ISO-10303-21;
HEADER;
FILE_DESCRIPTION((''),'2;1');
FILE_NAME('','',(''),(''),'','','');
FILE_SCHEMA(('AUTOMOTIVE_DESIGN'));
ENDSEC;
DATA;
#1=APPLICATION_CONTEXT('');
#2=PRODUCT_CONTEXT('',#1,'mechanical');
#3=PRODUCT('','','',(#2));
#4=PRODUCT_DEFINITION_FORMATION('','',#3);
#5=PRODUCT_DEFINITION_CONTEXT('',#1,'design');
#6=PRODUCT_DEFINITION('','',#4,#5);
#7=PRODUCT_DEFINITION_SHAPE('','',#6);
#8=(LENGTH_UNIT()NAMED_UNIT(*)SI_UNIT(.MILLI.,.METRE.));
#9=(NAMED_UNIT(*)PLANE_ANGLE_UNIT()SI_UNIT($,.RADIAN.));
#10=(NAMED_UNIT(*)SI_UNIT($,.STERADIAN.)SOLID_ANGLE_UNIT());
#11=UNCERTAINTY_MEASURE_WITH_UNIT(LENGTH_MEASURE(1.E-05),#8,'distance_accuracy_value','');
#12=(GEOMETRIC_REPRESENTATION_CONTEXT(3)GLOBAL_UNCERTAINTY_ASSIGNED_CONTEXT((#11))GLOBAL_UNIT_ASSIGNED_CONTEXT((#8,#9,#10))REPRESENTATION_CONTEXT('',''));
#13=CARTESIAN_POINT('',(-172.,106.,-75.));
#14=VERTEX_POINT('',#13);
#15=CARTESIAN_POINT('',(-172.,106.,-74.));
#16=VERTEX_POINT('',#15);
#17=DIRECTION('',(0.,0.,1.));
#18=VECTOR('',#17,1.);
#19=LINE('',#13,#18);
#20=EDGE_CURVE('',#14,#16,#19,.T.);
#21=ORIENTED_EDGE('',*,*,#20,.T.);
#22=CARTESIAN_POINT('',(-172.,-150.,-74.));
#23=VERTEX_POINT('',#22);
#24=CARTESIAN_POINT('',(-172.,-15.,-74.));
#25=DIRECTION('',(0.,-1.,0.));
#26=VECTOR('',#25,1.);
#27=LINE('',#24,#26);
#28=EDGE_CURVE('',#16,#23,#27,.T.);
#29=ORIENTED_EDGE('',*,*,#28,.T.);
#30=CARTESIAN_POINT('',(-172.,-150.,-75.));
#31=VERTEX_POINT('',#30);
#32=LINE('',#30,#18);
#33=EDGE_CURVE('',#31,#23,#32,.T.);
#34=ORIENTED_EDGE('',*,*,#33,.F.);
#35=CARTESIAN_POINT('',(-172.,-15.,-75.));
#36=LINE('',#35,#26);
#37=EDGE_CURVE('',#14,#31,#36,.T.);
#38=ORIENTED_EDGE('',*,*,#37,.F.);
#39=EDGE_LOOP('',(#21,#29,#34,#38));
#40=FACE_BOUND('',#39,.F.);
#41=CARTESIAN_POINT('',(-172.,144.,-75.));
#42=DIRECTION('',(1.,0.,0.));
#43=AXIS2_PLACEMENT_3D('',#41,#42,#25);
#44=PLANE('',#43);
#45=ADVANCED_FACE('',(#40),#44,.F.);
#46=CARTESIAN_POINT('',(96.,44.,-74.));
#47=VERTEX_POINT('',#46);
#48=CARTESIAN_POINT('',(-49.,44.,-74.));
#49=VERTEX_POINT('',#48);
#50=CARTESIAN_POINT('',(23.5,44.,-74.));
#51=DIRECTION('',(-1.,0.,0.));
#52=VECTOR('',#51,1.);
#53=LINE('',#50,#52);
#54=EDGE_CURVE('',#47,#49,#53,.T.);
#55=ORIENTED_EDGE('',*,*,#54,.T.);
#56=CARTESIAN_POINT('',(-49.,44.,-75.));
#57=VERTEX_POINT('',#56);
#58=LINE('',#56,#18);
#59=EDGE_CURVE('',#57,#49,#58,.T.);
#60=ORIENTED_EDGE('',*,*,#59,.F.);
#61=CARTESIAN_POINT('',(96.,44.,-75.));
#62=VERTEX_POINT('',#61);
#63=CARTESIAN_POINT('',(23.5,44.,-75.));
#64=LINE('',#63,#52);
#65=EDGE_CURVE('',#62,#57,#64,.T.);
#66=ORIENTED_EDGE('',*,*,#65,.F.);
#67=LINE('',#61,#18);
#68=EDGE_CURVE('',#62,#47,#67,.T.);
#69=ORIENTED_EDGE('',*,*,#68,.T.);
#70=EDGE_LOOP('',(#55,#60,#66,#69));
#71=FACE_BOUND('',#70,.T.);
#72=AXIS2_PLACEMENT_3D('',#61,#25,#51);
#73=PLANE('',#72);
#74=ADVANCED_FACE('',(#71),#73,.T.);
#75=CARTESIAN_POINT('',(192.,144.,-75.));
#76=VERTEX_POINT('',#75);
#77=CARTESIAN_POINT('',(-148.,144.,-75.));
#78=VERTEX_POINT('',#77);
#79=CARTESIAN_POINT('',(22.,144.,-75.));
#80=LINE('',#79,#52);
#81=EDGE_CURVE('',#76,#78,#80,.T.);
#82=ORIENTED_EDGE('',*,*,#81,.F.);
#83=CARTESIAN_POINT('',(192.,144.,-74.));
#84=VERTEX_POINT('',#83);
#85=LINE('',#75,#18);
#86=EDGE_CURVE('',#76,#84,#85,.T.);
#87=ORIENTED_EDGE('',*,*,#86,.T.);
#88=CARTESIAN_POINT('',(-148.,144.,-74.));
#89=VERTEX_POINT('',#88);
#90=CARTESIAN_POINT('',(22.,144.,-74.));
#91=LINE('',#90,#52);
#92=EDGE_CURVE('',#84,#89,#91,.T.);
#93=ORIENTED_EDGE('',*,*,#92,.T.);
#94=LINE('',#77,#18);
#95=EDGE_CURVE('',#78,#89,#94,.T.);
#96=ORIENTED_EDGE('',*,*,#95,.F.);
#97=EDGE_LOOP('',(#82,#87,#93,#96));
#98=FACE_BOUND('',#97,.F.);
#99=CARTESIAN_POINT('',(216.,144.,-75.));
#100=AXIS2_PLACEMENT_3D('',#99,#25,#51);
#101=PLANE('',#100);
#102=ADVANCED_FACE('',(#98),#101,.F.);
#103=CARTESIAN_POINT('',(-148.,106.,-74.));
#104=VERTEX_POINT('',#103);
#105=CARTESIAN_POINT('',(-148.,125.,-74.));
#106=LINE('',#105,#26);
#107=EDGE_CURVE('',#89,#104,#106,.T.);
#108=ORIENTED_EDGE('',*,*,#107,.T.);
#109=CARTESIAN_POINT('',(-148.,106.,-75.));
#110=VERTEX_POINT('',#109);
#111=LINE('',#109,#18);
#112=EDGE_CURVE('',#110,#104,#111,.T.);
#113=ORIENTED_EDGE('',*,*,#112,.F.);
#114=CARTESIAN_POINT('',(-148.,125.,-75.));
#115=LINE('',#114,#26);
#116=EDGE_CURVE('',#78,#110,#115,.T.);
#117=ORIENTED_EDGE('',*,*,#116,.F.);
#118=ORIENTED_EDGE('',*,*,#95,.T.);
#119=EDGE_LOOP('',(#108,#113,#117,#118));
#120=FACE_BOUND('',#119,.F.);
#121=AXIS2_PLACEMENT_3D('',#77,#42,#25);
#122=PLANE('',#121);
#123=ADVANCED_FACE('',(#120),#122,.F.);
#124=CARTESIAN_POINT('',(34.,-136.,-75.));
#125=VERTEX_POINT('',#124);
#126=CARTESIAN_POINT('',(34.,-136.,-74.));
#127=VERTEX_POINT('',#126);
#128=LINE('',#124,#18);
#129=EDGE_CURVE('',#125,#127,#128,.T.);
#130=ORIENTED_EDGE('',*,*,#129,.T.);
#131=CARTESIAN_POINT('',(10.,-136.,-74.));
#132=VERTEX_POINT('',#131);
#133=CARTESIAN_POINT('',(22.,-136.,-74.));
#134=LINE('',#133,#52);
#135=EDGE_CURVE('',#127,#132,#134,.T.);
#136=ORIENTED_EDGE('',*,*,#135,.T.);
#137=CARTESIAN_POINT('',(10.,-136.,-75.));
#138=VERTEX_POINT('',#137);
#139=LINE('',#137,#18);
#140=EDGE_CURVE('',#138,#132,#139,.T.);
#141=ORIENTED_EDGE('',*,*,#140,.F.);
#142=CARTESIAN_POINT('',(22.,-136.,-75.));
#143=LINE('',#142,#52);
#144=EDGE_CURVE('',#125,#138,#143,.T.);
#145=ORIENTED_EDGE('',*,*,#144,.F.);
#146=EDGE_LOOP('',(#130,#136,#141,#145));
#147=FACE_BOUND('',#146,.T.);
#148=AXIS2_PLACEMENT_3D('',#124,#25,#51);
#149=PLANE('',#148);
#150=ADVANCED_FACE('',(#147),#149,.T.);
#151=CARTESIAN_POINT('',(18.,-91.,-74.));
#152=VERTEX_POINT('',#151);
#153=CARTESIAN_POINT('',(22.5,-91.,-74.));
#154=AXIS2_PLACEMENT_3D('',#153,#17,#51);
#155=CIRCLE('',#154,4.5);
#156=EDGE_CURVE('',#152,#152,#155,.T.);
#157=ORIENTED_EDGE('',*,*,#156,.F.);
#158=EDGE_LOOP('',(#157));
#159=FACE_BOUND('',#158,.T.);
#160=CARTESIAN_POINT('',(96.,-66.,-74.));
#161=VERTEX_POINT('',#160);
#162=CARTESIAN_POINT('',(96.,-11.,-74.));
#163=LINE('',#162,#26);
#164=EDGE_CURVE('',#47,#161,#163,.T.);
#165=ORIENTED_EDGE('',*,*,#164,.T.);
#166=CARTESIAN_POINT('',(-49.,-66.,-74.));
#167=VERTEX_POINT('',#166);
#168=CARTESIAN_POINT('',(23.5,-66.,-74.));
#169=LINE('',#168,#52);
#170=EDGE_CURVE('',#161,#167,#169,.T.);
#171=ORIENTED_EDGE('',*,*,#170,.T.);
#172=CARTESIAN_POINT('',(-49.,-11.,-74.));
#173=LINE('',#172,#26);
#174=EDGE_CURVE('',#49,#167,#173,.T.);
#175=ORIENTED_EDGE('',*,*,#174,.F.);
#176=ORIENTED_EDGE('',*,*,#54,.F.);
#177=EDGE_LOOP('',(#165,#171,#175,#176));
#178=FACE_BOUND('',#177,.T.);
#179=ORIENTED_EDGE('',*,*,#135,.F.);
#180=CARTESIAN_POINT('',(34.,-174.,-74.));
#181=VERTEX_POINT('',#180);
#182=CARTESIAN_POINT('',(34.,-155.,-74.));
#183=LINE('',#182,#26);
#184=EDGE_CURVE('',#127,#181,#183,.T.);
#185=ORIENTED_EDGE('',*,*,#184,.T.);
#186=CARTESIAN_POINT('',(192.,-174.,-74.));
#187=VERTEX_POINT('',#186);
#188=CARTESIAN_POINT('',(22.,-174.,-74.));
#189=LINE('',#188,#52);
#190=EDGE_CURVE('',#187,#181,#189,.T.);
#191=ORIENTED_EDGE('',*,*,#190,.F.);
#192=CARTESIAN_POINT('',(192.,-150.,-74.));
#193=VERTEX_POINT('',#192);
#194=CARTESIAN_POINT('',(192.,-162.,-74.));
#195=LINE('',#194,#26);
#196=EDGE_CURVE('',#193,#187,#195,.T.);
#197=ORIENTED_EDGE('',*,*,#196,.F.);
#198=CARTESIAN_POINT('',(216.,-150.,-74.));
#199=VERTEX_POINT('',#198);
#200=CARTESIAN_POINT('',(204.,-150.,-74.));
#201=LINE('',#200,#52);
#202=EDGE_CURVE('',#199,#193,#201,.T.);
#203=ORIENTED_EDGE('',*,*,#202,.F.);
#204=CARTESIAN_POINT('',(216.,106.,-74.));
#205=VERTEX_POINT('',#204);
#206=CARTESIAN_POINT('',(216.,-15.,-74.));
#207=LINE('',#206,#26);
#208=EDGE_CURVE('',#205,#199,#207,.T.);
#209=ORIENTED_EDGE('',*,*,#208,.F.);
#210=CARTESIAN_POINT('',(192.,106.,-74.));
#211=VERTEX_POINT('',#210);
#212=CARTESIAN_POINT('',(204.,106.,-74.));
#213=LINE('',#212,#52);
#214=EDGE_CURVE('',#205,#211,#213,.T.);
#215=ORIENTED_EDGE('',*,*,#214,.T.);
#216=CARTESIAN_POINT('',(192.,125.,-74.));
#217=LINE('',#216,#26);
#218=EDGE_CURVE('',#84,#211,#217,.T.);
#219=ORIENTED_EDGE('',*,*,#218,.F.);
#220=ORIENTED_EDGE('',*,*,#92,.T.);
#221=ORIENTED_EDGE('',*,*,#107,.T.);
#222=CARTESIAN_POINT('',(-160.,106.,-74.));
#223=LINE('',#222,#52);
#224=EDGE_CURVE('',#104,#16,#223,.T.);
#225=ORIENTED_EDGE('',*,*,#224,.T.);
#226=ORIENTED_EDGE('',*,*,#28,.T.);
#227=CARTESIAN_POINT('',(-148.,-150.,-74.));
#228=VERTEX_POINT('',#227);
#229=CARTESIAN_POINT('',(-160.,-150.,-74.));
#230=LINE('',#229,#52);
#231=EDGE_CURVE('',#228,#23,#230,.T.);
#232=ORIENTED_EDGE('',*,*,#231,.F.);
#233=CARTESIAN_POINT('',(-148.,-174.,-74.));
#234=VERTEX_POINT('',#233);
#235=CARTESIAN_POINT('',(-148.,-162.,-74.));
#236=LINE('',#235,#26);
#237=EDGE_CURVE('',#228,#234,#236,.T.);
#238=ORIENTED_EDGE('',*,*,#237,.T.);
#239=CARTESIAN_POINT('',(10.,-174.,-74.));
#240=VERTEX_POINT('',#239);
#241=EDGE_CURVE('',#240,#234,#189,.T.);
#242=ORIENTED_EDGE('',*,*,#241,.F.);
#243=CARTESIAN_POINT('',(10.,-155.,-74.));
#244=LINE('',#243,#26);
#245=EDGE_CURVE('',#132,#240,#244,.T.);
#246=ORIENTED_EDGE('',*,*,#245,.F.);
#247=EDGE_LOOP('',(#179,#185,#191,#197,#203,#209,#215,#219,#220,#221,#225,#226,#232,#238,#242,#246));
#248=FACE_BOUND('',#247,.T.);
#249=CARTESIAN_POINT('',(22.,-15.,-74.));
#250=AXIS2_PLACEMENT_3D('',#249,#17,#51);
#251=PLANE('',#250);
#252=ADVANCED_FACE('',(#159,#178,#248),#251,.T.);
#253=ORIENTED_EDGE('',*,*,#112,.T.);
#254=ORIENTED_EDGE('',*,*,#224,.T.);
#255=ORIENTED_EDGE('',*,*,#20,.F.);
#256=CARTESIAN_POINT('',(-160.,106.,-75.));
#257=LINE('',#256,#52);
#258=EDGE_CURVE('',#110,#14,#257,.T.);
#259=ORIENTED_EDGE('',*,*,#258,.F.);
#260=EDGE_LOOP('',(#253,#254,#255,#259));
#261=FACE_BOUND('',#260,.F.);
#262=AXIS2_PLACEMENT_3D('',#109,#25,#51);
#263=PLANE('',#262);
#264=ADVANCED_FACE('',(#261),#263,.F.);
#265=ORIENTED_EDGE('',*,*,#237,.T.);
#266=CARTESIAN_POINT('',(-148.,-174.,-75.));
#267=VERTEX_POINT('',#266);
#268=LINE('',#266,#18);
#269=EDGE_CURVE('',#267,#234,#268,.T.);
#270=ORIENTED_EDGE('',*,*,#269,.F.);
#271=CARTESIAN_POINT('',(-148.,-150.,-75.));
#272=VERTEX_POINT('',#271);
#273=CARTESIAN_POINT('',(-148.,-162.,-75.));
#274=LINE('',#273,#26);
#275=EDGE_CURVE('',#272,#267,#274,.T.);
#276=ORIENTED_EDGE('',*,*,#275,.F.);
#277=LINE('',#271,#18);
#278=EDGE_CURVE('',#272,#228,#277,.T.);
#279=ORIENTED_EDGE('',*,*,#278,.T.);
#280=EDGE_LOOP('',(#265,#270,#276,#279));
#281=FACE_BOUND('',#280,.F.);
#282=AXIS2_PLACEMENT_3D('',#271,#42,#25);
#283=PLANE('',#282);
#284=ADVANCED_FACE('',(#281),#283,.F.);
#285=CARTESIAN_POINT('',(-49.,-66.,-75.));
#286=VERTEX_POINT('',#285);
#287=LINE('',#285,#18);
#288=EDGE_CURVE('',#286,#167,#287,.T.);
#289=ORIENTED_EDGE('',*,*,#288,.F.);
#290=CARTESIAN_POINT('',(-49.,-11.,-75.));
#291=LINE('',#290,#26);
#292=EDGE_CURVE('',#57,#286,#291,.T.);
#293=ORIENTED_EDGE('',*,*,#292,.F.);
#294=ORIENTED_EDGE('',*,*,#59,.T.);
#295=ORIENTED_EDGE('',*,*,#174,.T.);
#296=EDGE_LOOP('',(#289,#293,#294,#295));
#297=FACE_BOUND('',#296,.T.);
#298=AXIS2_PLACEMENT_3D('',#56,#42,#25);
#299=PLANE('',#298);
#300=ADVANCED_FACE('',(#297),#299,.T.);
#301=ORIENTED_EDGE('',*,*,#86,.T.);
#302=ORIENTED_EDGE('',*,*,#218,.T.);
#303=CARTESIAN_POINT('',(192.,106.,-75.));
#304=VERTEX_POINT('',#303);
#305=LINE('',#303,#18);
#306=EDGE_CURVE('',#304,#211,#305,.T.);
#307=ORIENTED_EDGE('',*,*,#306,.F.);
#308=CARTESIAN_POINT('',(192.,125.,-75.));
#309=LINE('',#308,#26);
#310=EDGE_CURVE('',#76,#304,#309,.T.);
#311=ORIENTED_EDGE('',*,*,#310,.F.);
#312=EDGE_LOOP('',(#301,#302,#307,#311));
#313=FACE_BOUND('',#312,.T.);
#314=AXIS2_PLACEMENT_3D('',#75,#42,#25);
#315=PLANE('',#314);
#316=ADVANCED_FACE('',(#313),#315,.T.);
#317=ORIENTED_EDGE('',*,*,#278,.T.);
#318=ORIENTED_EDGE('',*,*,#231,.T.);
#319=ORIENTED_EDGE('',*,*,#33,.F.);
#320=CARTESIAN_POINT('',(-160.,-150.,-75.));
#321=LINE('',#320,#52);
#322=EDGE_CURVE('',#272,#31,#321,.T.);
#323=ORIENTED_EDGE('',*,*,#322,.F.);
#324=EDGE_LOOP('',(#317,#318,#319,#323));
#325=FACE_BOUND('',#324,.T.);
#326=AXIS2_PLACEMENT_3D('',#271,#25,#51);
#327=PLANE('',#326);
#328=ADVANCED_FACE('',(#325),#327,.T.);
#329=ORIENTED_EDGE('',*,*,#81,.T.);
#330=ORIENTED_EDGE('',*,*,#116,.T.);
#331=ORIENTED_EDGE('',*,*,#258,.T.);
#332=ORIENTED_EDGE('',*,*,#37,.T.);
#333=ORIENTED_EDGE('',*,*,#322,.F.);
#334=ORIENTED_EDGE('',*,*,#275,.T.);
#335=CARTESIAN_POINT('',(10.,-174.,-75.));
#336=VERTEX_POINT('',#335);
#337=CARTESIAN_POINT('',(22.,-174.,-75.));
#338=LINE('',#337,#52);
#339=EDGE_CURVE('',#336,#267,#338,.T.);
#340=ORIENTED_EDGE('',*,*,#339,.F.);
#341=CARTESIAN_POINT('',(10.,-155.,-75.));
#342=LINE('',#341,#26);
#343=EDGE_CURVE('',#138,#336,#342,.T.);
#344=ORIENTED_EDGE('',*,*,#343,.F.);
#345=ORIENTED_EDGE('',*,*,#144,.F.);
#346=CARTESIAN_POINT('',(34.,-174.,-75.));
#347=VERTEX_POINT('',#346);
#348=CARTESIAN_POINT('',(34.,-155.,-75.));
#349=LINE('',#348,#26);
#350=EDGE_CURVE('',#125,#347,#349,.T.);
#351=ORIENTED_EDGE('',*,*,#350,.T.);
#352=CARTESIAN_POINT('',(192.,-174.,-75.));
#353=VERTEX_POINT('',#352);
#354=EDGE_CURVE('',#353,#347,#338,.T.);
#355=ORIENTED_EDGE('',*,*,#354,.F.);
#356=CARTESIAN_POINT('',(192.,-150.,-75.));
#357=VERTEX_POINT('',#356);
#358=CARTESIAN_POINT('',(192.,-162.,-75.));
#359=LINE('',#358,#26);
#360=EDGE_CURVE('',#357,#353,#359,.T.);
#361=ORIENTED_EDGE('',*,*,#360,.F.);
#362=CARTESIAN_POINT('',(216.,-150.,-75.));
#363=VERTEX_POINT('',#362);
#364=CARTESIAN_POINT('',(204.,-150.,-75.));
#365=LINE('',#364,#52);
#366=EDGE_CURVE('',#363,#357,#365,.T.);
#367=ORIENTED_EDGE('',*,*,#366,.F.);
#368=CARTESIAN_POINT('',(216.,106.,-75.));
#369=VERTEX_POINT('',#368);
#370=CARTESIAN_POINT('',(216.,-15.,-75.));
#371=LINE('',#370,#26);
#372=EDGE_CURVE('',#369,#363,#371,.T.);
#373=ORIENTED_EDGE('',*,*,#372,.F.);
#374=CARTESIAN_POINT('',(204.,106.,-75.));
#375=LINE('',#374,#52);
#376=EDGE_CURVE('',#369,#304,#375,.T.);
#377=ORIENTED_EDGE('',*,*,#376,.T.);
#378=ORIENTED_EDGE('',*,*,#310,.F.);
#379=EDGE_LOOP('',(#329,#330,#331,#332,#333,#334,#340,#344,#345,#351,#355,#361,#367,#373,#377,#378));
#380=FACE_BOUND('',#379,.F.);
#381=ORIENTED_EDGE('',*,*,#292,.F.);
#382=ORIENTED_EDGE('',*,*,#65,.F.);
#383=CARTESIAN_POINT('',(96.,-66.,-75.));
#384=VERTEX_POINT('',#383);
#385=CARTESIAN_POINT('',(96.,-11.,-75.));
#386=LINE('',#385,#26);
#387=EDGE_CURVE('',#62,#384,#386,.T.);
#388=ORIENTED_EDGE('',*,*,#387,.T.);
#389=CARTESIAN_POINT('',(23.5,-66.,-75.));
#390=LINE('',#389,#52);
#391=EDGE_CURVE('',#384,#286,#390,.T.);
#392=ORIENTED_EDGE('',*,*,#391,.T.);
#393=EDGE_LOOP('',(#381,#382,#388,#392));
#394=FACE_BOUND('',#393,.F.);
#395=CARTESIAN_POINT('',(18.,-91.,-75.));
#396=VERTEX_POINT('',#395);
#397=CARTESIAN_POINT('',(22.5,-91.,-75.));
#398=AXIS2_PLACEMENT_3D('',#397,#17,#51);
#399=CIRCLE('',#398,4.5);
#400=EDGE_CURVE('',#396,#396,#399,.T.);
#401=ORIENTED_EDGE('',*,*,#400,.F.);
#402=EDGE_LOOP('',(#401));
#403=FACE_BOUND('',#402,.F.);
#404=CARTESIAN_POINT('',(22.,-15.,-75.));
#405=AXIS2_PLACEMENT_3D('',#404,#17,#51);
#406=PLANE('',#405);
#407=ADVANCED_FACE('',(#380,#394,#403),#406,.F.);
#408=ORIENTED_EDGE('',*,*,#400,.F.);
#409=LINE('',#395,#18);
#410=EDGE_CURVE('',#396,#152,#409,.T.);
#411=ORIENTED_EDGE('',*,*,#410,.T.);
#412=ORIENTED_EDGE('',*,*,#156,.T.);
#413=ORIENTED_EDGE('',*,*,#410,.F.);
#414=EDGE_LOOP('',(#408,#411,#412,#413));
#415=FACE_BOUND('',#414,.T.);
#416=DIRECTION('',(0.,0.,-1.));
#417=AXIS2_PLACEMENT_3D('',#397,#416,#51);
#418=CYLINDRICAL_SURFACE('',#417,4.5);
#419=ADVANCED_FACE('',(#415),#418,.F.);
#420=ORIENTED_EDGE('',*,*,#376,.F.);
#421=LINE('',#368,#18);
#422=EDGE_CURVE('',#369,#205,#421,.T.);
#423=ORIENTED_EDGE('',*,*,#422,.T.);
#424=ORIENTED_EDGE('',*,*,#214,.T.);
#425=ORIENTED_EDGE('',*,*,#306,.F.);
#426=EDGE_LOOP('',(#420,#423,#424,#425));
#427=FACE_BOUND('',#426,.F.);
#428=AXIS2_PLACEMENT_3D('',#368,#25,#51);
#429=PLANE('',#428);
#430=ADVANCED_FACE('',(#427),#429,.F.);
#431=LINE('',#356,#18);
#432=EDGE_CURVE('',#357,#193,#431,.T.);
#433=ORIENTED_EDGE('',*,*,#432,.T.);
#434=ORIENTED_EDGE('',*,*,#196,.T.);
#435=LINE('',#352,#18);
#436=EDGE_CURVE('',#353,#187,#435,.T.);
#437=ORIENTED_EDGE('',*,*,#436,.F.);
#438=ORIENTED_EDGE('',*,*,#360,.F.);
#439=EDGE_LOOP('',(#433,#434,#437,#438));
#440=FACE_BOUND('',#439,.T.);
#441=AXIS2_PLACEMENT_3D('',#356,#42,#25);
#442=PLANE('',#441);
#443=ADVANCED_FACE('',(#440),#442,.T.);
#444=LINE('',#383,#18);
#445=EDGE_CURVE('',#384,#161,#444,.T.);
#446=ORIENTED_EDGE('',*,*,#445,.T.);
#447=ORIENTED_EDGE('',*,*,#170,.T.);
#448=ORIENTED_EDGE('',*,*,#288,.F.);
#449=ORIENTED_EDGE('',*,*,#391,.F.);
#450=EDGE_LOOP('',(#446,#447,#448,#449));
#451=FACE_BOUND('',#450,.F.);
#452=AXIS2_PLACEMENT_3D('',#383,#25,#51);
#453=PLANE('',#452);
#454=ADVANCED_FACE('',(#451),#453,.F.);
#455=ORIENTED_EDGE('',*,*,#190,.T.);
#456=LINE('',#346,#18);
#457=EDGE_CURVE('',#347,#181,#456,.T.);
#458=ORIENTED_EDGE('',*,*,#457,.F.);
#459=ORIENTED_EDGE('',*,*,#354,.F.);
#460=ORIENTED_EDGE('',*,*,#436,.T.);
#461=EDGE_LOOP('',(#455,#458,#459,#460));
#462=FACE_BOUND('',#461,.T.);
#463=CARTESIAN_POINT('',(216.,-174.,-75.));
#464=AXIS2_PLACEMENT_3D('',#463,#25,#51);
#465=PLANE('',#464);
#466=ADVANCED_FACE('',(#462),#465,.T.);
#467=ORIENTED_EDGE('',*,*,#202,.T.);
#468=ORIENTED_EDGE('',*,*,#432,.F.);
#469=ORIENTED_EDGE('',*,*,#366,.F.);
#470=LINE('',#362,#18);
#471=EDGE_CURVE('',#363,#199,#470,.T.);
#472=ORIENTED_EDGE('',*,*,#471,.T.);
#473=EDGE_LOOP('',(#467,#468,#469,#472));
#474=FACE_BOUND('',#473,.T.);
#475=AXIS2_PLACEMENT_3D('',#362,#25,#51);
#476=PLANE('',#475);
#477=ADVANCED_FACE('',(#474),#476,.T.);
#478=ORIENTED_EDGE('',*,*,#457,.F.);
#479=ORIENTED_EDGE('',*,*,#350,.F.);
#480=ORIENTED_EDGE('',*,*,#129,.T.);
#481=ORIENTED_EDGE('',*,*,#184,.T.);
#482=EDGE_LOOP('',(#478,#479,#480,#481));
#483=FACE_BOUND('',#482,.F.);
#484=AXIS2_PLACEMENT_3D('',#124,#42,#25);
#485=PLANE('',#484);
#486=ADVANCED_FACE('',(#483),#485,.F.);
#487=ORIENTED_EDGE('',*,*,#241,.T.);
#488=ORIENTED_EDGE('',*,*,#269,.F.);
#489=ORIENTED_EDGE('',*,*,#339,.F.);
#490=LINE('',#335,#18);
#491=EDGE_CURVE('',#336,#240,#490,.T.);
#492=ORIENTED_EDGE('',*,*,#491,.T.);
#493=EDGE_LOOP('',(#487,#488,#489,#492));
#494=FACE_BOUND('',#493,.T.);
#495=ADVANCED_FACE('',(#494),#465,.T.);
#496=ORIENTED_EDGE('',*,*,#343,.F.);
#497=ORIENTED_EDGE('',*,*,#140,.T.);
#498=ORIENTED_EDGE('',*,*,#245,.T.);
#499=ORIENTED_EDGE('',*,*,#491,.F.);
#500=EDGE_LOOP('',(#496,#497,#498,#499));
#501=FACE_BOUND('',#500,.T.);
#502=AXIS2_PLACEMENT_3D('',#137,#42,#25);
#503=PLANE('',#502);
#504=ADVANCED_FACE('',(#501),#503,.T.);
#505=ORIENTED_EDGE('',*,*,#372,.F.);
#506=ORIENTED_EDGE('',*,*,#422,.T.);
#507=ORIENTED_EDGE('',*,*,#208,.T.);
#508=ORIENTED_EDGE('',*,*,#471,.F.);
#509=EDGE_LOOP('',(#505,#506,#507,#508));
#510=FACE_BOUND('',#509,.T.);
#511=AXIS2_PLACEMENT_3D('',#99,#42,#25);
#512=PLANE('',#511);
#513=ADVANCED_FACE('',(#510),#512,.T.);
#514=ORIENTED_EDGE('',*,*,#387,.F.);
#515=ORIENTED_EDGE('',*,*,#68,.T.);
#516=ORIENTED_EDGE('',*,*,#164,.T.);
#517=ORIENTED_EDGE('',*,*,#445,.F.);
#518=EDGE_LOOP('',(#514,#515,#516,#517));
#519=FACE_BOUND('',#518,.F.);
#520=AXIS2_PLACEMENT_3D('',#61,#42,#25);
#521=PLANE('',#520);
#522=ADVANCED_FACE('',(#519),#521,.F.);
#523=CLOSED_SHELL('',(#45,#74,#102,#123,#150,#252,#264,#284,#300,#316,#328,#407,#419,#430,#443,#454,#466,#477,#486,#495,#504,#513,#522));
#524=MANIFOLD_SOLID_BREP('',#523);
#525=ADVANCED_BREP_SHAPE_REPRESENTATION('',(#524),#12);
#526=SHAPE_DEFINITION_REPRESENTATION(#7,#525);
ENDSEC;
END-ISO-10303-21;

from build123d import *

# Parameters (mm, degrees)
BOX032_W               = 145
BOX032_H               = 110
BOX032_DEPTH           = 1
BOX033_W               = 24
BOX033_H               = 38
BOX033_DEPTH           = 1
CYLINDER014_R          = 4.5
CYLINDER014_DEPTH      = 1
BOX029_W               = 24
BOX029_H               = 38
BOX029_DEPTH           = 1
BOX030_W               = 24
BOX030_H               = 24
BOX030_DEPTH           = 1
BOX031_W               = 24
BOX031_H               = 24
BOX031_DEPTH           = 1
BOX028_W               = 24
BOX028_H               = 38
BOX028_DEPTH           = 1
BOX027_W               = 388
BOX027_H               = 318
BOX027_DEPTH           = 1
CUT015_PLACEMENT_ANGLE = 180


with BuildPart() as hueco_central001:
    # Box032 → Box032 (new body)
    with BuildSketch(Plane(origin=(120, 100, 0), x_dir=(1, 0, 0), z_dir=(0, 0, 1))):
        with Locations((72.5, 55)):
            Rectangle(BOX032_W, BOX032_H)
    extrude(amount=BOX032_DEPTH)


with BuildPart() as cubo027:
    # Box033 → Box033 (new body)
    with BuildSketch(Plane(origin=(182, 280, 0), x_dir=(1, 0, 0), z_dir=(0, 0, 1))):
        with Locations((12, 19)):
            Rectangle(BOX033_W, BOX033_H)
    extrude(amount=BOX033_DEPTH)


with BuildPart() as cilindro014:
    # Cylinder014 → Cylinder014 (new body)
    with BuildSketch(Plane(origin=(193.5, 235, 0), x_dir=(1, 0, 0), z_dir=(0, 0, 1))):
        Circle(CYLINDER014_R)
    extrude(amount=CYLINDER014_DEPTH)


with BuildPart() as cubo024:
    # Box029 → Box029 (new body)
    with BuildSketch(Plane(origin=(364, 0, 0), x_dir=(1, 0, 0), z_dir=(0, 0, 1))):
        with Locations((12, 19)):
            Rectangle(BOX029_W, BOX029_H)
    extrude(amount=BOX029_DEPTH)


with BuildPart() as cubo025:
    # Box030 → Box030 (new body)
    with BuildSketch(Plane(origin=(0, 294, 0), x_dir=(1, 0, 0), z_dir=(0, 0, 1))):
        with Locations((12, 12)):
            Rectangle(BOX030_W, BOX030_H)
    extrude(amount=BOX030_DEPTH)


with BuildPart() as cubo026:
    # Box031 → Box031 (new body)
    with BuildSketch(Plane(origin=(364, 294, 0), x_dir=(1, 0, 0), z_dir=(0, 0, 1))):
        with Locations((12, 12)):
            Rectangle(BOX031_W, BOX031_H)
    extrude(amount=BOX031_DEPTH)


with BuildPart() as cortes001:
    # Box028 → Box028 (new body)
    with BuildSketch(Plane.XY):
        with Locations((12, 19)):
            Rectangle(BOX028_W, BOX028_H)
    extrude(amount=BOX028_DEPTH)

    # Fusion016: union Cubo024, Cubo025, Cubo026
    add(cubo024.part)
    add(cubo025.part)
    add(cubo026.part)

    # Fusion017: union hueco central001, Cubo027, Cilindro014
    add(hueco_central001.part)
    add(cubo027.part)
    add(cilindro014.part)


with BuildPart() as plataforma:
    # Box027 → Box027 (new body)
    with BuildSketch(Plane.XY):
        with Locations((194, 159)):
            Rectangle(BOX027_W, BOX027_H)
    extrude(amount=BOX027_DEPTH)

    # Cut015: cut cortes001
    add(cortes001.part, mode=Mode.SUBTRACT)


with BuildPart() as plataforma_1:
    # Cut015 placement: moved
    add(plataforma.part.moved(Location((216, 144, -75))).rotate(Axis((216, 144, -75), (0, 0, 1)), CUT015_PLACEMENT_ANGLE))


solid = plataforma_1.part
